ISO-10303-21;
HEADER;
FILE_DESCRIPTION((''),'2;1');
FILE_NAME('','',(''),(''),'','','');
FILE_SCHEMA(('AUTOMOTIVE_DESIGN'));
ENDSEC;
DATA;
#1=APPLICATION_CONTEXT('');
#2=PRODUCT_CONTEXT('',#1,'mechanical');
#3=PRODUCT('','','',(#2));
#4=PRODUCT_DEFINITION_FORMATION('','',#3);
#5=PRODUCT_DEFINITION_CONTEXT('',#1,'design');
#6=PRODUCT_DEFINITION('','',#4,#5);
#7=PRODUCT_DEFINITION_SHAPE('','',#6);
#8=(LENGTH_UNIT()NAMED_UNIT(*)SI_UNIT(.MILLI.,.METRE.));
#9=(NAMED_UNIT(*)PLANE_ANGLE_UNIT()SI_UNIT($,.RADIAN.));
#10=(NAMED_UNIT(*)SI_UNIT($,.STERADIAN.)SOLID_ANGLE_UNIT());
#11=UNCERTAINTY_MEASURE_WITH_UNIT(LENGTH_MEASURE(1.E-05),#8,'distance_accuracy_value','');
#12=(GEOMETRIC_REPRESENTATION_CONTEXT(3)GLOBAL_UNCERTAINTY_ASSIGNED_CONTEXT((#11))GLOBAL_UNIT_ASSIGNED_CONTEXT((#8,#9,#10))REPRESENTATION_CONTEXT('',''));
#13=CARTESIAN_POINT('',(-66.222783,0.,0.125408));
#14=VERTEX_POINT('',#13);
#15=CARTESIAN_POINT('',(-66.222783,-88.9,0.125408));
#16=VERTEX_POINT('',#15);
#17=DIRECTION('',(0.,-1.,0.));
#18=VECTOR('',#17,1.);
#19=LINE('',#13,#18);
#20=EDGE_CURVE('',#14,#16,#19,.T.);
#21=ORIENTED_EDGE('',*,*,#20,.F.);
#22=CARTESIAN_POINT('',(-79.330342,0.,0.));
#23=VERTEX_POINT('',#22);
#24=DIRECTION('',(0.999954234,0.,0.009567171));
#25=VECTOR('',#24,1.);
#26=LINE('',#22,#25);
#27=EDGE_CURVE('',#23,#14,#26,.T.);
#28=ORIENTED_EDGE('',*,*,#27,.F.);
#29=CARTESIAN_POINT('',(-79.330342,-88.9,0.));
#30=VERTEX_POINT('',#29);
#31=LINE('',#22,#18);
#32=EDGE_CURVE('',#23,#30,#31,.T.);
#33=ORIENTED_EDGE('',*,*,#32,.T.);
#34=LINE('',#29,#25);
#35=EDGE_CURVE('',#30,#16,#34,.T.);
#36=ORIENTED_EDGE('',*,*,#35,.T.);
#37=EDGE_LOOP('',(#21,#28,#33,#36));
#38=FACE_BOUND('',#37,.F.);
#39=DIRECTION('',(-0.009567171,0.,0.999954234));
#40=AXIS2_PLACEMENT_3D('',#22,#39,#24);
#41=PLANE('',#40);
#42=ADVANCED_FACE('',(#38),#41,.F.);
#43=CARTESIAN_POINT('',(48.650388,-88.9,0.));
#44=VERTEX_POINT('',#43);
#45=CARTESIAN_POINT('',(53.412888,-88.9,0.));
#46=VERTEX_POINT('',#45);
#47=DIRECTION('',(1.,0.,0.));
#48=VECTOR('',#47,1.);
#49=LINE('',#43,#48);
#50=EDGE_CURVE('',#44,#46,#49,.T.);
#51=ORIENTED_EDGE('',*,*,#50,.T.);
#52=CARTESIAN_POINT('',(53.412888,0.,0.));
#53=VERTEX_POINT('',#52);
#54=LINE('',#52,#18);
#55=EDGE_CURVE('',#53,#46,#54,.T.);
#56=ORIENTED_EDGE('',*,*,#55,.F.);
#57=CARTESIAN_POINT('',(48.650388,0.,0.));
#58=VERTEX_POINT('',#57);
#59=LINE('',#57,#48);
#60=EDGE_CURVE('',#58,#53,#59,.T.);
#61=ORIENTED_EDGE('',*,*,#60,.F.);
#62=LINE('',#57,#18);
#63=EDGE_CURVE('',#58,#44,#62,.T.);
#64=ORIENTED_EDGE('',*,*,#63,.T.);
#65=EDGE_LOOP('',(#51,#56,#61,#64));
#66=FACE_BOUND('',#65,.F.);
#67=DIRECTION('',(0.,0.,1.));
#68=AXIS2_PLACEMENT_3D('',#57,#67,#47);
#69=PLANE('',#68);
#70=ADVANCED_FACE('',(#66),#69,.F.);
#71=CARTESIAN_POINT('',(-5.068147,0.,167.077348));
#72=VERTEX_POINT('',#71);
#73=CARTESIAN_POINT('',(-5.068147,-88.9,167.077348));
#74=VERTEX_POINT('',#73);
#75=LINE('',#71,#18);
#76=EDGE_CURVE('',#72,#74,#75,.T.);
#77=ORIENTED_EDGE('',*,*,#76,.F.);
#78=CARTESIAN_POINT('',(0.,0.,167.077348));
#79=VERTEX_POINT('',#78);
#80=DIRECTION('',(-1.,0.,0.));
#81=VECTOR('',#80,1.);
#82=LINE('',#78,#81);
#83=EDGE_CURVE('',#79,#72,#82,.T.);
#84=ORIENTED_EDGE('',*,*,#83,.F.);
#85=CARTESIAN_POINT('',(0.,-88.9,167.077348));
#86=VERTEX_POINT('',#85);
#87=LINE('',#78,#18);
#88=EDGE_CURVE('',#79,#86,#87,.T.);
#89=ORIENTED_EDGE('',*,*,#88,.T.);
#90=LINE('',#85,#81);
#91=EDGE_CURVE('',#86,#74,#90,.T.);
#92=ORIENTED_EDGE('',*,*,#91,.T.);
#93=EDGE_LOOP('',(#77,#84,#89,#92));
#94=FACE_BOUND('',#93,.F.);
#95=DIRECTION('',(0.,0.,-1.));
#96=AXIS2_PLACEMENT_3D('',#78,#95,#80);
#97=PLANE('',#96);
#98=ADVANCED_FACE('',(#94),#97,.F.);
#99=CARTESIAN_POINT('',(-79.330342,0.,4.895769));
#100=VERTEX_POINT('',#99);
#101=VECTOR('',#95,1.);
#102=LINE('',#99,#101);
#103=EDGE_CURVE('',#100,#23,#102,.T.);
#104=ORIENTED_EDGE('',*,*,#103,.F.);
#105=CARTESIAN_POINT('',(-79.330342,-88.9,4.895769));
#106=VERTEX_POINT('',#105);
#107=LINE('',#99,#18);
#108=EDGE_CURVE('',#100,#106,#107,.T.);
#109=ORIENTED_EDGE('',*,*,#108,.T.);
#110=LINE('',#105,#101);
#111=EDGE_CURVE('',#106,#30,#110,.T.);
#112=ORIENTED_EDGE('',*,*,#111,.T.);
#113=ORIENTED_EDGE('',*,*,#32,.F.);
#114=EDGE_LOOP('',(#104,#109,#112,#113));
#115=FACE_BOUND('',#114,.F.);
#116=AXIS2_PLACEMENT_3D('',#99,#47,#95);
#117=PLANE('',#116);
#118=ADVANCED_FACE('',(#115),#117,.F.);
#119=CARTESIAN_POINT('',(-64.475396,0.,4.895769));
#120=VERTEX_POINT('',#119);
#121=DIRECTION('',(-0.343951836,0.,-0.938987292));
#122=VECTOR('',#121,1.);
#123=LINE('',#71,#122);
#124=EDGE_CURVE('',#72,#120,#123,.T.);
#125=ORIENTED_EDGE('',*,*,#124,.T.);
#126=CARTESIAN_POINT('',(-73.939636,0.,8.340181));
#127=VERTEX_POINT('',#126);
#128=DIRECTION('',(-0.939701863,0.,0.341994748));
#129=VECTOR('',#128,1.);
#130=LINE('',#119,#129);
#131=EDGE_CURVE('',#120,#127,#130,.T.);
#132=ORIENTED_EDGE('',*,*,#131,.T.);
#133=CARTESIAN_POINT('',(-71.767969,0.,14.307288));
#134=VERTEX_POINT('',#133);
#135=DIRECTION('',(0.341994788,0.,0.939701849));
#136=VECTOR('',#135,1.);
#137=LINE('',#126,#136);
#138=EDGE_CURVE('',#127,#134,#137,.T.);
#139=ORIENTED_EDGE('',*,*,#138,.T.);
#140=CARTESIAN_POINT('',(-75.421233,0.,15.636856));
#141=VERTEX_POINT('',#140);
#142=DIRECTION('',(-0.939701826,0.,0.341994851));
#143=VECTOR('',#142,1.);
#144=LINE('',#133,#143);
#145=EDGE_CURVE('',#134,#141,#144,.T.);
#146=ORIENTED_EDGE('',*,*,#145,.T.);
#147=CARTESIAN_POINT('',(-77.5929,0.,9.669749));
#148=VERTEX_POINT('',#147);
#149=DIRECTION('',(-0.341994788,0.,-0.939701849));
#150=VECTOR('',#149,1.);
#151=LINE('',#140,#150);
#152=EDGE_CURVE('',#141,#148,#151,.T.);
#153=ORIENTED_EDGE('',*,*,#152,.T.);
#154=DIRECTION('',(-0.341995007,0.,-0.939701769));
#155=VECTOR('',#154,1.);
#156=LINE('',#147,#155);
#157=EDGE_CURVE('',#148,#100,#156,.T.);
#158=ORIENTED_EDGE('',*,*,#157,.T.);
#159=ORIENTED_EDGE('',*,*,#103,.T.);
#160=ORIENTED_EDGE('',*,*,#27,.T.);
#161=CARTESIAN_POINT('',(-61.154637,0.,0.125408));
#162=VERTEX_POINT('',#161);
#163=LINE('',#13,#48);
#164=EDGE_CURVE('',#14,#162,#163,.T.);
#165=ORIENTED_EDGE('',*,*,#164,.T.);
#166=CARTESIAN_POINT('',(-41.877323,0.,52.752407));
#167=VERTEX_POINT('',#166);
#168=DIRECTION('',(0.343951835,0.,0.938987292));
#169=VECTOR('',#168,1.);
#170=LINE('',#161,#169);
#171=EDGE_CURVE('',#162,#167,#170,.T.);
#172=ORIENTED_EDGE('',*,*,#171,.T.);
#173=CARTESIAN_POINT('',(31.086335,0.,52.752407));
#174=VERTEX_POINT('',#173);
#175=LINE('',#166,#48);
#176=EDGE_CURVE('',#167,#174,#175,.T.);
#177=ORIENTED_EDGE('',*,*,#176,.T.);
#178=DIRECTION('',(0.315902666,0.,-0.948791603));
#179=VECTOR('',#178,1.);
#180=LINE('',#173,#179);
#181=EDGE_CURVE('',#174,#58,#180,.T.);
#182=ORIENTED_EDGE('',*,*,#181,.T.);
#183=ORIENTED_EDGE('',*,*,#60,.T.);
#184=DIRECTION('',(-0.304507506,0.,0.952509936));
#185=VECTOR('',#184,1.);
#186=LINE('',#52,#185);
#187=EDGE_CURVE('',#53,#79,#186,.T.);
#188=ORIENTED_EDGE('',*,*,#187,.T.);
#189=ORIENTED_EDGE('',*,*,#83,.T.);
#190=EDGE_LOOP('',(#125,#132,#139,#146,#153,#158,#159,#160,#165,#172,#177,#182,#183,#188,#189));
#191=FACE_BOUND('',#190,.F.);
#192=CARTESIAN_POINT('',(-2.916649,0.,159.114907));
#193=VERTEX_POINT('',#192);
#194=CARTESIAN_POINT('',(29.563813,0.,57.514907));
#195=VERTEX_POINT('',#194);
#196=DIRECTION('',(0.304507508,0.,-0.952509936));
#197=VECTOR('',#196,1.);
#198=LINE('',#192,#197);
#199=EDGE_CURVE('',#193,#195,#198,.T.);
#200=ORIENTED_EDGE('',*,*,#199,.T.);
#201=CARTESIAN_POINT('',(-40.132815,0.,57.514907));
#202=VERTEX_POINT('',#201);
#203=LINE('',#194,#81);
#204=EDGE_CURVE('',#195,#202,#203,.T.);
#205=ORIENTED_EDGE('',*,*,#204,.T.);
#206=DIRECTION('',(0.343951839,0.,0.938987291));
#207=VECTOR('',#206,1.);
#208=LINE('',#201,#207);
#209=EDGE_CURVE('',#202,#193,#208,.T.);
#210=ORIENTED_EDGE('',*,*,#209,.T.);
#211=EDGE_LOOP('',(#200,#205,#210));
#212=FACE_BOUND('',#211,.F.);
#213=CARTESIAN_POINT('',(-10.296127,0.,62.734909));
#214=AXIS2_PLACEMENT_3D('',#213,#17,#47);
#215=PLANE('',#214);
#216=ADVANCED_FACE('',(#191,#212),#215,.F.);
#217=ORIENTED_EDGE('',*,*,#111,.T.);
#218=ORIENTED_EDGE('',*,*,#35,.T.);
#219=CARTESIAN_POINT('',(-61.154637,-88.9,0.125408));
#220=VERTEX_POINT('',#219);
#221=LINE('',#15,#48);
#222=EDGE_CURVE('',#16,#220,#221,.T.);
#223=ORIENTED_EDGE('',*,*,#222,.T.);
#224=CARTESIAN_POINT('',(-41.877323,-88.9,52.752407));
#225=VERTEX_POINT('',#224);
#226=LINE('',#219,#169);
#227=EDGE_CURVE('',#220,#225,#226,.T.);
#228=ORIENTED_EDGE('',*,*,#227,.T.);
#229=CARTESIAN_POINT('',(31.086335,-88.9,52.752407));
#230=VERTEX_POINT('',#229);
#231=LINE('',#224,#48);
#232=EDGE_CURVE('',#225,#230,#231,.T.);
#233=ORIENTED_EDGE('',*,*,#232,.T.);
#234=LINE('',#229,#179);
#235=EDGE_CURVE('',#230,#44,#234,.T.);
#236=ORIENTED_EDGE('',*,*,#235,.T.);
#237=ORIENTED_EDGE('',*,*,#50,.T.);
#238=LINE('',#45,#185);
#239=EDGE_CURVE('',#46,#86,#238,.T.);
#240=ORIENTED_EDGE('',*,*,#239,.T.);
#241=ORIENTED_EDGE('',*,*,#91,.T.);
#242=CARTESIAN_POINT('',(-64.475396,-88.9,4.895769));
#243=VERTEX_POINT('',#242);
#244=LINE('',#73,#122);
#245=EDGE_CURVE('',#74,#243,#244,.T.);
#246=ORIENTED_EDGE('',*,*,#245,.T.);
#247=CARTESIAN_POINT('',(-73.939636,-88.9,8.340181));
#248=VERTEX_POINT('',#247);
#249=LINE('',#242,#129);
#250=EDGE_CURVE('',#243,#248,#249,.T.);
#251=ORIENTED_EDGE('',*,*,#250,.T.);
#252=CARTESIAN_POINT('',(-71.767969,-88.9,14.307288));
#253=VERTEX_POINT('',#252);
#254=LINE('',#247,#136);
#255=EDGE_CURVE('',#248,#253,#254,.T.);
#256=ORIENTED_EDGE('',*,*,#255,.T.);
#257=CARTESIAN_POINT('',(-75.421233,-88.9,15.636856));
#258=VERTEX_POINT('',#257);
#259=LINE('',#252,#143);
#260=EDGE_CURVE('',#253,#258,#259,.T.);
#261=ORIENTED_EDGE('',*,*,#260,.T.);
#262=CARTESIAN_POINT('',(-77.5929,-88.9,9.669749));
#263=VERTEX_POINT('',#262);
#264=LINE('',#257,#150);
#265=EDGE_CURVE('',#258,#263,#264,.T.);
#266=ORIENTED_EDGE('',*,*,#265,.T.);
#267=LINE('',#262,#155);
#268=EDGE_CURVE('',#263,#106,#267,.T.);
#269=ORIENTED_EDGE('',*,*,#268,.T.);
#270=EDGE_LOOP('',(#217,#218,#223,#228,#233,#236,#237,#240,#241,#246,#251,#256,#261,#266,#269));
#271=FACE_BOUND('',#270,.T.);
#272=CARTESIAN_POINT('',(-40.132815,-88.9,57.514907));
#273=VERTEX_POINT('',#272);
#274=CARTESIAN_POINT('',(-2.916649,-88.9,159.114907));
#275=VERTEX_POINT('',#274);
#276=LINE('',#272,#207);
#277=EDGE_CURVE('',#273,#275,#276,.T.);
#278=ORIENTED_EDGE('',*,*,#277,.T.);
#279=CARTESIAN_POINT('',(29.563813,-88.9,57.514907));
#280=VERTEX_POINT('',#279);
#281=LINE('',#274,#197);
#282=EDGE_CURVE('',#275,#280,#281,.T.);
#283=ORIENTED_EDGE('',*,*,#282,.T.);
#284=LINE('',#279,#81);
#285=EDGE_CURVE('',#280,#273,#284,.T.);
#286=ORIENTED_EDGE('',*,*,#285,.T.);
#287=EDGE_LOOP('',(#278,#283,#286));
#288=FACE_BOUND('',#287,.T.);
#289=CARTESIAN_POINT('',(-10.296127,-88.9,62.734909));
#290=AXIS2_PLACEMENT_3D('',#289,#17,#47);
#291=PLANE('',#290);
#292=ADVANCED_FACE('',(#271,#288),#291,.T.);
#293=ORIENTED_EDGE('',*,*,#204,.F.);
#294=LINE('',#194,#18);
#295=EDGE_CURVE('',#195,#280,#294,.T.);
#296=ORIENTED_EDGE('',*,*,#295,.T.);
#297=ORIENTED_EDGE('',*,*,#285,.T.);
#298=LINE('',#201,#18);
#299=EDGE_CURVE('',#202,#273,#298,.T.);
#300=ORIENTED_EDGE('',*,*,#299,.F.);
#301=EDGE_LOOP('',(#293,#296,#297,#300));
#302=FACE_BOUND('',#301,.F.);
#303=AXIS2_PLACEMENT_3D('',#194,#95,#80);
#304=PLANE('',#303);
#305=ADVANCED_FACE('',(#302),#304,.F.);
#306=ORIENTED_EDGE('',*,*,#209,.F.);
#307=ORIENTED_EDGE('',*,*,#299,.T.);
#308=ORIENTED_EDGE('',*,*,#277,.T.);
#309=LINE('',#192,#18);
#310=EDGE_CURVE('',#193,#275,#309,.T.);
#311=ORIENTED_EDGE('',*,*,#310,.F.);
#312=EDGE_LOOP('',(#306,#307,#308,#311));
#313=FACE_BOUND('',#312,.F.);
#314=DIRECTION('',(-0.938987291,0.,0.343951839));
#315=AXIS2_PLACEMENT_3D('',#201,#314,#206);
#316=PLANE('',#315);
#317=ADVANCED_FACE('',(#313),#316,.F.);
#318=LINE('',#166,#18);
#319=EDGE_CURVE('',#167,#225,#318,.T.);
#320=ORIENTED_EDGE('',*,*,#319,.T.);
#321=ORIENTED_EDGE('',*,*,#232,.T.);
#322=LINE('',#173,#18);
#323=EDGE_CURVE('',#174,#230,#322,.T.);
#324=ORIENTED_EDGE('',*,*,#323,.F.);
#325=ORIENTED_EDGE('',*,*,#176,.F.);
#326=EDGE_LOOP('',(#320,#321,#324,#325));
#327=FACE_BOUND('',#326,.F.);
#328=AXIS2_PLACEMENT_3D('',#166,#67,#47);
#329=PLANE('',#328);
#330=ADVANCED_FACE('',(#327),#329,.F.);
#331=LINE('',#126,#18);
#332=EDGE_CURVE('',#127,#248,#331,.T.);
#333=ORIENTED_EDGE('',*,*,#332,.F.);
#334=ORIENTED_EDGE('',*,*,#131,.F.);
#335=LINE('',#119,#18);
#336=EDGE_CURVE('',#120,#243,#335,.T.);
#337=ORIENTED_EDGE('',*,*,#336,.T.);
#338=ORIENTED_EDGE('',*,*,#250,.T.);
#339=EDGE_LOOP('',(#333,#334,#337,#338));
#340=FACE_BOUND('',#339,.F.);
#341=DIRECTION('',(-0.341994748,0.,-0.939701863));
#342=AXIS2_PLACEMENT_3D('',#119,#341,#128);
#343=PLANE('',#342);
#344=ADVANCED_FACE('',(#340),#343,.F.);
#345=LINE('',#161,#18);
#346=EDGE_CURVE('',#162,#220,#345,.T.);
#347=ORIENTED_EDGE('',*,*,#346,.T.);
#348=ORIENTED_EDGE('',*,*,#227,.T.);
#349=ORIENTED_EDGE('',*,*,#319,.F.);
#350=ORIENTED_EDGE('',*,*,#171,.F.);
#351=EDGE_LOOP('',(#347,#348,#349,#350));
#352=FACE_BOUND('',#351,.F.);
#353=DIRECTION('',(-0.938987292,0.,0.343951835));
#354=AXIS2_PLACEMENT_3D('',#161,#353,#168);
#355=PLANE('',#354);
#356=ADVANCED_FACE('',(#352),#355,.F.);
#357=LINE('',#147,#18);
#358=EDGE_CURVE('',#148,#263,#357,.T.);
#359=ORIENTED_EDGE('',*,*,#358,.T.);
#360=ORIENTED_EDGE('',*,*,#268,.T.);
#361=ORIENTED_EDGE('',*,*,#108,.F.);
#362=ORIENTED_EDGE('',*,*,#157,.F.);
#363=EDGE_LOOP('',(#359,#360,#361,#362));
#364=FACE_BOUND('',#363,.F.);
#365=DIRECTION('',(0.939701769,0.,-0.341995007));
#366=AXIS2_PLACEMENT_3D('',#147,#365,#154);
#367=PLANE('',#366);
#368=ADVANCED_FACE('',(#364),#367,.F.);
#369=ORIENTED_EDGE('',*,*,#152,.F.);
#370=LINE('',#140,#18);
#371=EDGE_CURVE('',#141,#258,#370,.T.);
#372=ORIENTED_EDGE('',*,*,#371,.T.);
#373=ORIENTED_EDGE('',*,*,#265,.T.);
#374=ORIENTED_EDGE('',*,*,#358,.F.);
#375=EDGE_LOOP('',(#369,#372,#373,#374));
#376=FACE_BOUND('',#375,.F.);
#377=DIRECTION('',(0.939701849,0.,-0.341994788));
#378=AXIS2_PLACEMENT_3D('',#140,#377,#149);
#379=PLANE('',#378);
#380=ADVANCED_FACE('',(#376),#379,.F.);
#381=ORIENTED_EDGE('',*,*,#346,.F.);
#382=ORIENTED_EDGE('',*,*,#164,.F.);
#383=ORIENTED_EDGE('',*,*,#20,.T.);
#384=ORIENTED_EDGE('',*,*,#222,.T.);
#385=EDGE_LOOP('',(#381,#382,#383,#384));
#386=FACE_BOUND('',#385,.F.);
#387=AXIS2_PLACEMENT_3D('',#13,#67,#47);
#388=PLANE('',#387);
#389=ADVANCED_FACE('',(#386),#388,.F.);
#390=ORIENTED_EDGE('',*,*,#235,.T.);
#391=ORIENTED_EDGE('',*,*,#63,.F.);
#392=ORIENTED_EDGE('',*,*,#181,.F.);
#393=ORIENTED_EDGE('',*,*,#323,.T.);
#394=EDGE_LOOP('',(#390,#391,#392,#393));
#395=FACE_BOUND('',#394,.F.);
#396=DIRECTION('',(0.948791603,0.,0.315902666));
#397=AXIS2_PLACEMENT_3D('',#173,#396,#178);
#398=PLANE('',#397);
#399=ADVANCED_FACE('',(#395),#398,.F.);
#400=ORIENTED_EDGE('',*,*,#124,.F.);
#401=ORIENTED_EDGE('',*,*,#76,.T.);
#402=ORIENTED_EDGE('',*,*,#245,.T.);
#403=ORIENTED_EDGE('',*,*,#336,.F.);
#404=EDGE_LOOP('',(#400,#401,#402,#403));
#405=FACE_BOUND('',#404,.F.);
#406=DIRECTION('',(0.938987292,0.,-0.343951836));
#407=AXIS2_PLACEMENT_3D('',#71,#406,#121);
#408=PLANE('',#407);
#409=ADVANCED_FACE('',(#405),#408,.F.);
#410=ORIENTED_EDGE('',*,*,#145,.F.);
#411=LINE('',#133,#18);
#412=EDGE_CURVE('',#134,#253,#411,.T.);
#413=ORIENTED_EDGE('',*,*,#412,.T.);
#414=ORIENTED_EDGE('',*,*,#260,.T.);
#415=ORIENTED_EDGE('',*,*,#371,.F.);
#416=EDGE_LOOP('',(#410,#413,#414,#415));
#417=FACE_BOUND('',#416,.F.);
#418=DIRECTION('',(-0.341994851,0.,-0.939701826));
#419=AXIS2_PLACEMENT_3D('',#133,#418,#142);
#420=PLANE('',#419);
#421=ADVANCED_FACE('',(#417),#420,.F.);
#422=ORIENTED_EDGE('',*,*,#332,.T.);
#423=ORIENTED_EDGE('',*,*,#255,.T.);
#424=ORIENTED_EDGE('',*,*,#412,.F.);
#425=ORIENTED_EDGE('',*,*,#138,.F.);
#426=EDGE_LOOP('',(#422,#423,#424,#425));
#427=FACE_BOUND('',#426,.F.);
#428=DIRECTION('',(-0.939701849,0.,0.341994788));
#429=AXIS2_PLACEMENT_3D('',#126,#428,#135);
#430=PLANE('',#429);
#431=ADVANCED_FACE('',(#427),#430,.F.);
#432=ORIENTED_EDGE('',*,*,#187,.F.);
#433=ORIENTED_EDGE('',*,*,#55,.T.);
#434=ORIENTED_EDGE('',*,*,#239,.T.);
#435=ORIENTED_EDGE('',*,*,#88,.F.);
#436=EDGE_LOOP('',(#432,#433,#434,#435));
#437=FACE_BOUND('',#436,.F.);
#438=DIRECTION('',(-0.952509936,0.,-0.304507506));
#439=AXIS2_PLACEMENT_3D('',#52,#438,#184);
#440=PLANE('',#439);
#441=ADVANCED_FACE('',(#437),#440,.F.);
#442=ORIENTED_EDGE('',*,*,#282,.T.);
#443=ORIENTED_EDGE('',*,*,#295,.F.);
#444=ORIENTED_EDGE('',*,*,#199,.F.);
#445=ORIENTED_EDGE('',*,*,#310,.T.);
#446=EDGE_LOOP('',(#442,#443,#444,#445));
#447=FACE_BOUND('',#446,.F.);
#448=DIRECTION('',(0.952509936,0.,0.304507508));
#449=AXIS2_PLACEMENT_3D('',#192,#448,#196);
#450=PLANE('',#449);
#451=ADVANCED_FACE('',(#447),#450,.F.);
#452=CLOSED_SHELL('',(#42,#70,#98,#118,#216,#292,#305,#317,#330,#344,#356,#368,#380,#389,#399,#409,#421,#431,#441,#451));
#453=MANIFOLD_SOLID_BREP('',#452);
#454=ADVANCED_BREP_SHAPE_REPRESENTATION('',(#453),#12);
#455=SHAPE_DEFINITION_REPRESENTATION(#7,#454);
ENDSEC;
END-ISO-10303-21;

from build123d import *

# Parameters (mm, degrees)
F1_DEPTH = 88.9


with BuildPart() as f1:
    # F0 (on Front) → F1 (new body)
    with BuildSketch(Plane.XZ):
        Polygon((53.412888, 0), (0, 167.077348), (-5.068147, 167.077348), (-64.475396, 4.895769), (-73.939636, 8.340181), (-71.767969, 14.307288), (-75.421233, 15.636856), (-77.5929, 9.669749), (-79.330342, 4.895769), (-79.330342, 0), (-66.222783, 0.125408), (-61.154637, 0.125408), (-41.877323, 52.752407), (-2.916649, 52.752407), (31.086335, 52.752407), (48.650388, 0), align=None)
        Polygon((29.563813, 57.514907), (-2.916649, 57.514907), (-40.132815, 57.514907), (-2.916649, 159.114907), align=None, mode=Mode.SUBTRACT)
    extrude(amount=F1_DEPTH)


solid = f1.part
